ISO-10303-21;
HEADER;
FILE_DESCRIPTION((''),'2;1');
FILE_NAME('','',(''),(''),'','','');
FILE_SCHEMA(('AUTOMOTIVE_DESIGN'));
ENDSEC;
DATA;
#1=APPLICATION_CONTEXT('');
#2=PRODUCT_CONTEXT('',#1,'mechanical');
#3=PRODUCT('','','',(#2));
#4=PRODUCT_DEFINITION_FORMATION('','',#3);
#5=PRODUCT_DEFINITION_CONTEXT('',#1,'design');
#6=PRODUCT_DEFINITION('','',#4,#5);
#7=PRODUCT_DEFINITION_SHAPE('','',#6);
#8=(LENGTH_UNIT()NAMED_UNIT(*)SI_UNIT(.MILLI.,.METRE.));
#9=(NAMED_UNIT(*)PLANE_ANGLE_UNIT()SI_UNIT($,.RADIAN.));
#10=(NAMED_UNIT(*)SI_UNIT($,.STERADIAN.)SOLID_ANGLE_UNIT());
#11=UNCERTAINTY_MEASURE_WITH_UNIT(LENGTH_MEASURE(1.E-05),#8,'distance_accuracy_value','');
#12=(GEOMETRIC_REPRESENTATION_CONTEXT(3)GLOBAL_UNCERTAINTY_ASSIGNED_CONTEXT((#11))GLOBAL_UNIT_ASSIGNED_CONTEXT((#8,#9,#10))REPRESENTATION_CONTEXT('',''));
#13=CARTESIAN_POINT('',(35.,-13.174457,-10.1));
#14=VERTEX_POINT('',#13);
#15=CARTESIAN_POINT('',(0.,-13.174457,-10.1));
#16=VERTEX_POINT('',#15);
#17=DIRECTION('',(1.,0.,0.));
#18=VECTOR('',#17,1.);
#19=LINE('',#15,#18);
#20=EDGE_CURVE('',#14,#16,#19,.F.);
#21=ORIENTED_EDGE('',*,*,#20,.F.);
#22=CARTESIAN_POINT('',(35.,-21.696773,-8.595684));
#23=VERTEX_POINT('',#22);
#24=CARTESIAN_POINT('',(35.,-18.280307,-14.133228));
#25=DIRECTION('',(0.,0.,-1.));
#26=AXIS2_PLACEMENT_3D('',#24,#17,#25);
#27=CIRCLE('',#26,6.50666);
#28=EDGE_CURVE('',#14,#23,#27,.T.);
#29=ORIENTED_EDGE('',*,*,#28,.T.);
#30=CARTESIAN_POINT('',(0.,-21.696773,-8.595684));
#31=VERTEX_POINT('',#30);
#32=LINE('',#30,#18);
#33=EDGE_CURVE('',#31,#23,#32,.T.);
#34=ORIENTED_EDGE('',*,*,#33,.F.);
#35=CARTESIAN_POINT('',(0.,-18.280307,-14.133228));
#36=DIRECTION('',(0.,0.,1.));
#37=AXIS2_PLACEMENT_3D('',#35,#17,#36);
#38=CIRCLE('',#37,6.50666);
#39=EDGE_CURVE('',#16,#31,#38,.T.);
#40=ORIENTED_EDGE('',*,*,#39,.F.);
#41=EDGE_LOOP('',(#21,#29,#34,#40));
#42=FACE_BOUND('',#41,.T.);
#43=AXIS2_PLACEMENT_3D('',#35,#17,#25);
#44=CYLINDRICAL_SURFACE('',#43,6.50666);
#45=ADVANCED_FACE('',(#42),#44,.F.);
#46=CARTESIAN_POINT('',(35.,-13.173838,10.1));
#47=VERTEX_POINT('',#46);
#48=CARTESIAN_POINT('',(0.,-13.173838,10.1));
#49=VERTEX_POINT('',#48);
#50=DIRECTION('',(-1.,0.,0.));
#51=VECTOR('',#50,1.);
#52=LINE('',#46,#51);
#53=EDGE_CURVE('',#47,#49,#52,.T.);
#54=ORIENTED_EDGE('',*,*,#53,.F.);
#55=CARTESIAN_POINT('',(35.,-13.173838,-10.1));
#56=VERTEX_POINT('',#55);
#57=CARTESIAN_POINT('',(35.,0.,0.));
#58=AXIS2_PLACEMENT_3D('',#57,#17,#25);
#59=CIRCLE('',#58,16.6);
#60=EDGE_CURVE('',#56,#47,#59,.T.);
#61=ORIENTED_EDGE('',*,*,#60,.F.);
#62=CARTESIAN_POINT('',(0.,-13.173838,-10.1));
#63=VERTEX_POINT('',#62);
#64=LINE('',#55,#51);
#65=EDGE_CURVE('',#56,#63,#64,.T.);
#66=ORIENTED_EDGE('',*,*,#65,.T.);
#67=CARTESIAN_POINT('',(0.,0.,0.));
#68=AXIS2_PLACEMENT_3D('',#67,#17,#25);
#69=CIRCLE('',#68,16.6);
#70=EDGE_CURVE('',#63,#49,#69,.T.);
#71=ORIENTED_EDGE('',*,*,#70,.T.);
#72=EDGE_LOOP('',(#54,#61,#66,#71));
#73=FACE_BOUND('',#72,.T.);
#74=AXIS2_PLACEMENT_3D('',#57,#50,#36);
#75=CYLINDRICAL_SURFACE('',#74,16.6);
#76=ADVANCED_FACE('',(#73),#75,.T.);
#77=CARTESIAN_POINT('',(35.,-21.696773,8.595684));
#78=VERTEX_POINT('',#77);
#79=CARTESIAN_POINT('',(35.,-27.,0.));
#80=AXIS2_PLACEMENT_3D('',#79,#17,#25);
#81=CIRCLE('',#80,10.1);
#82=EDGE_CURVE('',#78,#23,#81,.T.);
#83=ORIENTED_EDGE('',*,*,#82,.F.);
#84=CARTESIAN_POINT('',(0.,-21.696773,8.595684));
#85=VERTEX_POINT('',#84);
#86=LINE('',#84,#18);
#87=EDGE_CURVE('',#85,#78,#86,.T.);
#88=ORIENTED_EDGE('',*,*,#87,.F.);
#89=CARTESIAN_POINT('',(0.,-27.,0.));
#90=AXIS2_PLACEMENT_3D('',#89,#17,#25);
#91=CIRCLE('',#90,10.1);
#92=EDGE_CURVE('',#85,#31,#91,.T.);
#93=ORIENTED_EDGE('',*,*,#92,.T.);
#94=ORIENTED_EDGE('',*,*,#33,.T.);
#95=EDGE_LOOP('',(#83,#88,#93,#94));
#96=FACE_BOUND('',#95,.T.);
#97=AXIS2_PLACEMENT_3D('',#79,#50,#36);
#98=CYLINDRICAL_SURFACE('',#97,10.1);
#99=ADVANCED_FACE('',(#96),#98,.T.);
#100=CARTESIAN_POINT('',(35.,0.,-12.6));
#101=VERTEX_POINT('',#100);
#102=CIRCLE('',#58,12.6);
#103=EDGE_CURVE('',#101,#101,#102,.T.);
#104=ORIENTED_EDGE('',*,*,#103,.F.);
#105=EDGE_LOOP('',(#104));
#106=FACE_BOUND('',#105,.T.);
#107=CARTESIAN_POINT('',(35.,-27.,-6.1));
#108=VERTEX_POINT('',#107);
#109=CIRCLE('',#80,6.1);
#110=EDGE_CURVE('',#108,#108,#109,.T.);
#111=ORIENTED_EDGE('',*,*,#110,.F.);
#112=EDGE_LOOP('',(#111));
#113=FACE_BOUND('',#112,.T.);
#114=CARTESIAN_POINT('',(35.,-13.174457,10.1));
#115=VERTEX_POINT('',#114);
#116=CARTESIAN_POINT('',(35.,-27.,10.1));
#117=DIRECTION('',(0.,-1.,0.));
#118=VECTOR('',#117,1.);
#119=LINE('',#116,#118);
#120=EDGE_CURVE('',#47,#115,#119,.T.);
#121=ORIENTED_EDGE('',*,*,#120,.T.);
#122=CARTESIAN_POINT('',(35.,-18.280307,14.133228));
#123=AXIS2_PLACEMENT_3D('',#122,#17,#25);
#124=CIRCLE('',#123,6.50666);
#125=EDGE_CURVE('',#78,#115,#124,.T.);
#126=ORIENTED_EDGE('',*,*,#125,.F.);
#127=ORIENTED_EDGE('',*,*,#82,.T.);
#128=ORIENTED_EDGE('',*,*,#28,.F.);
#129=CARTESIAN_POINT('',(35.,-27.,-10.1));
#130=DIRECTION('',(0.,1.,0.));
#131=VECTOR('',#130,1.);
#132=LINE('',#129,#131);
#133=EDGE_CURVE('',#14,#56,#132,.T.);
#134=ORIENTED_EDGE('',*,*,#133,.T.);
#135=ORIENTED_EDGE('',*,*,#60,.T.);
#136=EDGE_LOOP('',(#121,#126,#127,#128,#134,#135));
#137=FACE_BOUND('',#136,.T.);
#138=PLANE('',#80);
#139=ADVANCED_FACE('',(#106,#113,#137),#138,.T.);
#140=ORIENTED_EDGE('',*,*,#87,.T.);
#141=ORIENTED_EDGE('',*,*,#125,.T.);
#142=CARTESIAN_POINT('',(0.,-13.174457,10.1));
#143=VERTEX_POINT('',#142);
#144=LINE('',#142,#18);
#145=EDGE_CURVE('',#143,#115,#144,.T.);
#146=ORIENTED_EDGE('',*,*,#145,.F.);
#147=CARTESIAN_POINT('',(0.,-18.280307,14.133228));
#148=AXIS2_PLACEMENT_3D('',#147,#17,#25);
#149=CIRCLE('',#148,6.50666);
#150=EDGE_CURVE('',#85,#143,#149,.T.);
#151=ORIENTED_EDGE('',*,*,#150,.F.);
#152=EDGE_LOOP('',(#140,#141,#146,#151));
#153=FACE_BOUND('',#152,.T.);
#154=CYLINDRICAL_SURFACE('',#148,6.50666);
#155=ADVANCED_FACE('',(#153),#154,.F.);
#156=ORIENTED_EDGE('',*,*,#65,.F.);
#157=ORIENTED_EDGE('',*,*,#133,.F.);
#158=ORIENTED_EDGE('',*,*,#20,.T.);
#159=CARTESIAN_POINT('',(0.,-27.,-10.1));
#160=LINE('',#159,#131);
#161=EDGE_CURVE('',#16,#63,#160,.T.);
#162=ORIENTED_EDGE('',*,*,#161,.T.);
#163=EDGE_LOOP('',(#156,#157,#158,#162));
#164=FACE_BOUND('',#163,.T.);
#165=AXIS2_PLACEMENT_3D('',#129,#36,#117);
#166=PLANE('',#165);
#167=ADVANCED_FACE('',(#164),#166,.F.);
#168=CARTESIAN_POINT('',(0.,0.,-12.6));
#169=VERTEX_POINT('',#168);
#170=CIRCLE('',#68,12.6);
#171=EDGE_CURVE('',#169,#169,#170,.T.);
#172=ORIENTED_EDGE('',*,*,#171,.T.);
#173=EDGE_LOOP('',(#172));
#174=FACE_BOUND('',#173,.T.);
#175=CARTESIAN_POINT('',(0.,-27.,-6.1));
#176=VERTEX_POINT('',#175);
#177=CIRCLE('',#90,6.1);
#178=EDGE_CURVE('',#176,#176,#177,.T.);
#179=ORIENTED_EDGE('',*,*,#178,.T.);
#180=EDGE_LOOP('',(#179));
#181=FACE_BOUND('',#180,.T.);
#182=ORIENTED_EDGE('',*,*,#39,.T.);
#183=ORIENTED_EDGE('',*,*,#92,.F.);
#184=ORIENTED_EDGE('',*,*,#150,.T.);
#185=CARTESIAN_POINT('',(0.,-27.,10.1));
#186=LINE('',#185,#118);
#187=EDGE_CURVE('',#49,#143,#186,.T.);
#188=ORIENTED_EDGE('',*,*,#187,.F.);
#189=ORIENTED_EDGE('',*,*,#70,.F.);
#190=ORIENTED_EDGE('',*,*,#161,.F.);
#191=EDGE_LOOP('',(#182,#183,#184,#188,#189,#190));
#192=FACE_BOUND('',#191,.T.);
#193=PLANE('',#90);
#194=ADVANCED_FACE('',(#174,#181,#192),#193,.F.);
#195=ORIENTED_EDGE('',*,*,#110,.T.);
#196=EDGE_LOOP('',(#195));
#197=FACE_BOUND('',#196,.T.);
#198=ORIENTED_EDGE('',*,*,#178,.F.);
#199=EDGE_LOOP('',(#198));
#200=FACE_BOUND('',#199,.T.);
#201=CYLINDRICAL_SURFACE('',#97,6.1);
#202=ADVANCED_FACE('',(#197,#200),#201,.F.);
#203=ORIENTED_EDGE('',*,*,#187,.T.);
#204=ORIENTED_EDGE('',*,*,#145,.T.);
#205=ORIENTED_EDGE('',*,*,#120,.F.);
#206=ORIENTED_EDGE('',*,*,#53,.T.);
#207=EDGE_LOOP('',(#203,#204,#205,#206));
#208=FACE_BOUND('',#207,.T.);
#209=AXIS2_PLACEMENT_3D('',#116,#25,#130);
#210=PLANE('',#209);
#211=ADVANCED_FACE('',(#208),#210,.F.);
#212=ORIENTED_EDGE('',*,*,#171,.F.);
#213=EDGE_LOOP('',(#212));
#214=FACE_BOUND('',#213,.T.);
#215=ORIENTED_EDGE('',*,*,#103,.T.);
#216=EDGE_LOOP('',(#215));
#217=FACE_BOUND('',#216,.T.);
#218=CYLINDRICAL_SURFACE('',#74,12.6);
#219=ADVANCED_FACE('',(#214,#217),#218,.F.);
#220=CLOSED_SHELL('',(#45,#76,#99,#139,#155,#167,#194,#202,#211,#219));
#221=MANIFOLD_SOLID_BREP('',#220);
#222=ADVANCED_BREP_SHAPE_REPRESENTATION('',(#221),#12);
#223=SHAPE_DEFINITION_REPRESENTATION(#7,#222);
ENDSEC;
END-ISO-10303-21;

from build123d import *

# Parameters (mm, degrees)
SKETCH_1_R               = 12.6
SKETCH_1_R_2             = 6.1
EXTRUDE_1_DEPTH          = 35
CUT_EXTRUDE_1_DEPTH      = 54.637393673
CUT_EXTRUDE_1_DEPTH_BACK = 54.637393673


with BuildPart() as part:
    # 草图1 → 凸台-拉伸1 (new body)
    with BuildSketch(Plane(origin=(0, 0, 0), x_dir=(0, 0, -1), z_dir=(1, 0, 0))):
        with BuildLine():
            Line((-10.1, -27), (-10.1, -13.17383771))
            ThreePointArc((-10.1, -13.17383771), (0, 16.6), (10.1, -13.17383771))
            Line((10.1, -13.17383771), (10.1, -27))
            ThreePointArc((10.1, -27), (0, -37.1), (-10.1, -27))
        make_face()
        Circle(SKETCH_1_R, mode=Mode.SUBTRACT)
        with Locations((0, -27)):
            Circle(SKETCH_1_R_2, mode=Mode.SUBTRACT)
    extrude(amount=EXTRUDE_1_DEPTH)

    # 草图3 → 切除-拉伸1 (cut, two sides: drawn at the far end of the back side and taken through both)
    with BuildSketch(Plane(origin=(35, 0, 0), x_dir=(0, 0, -1), z_dir=(1, 0, 0)).offset(-CUT_EXTRUDE_1_DEPTH_BACK)):
        with BuildLine():
            Line((-16.628183068, -24.289618904), (-10.1, -27))
            ThreePointArc((-10.1, -27), (-9.71664565, -24.243771181), (-8.595683702, -21.696772521))
            ThreePointArc((-8.595683702, -21.696772521), (-16.131989791, -12.088249305), (-16.628183068, -24.289618904))
        make_face()
        with BuildLine():
            Line((10.1, -27), (14.395468751, -24.781680805))
            ThreePointArc((14.395468751, -24.781680805), (17.188775236, -12.535721906), (8.595683702, -21.696772521))
            ThreePointArc((8.595683702, -21.696772521), (9.71664565, -24.243771181), (10.1, -27))
        make_face()
    extrude(amount=CUT_EXTRUDE_1_DEPTH + CUT_EXTRUDE_1_DEPTH_BACK, mode=Mode.SUBTRACT)


solid = part.part
